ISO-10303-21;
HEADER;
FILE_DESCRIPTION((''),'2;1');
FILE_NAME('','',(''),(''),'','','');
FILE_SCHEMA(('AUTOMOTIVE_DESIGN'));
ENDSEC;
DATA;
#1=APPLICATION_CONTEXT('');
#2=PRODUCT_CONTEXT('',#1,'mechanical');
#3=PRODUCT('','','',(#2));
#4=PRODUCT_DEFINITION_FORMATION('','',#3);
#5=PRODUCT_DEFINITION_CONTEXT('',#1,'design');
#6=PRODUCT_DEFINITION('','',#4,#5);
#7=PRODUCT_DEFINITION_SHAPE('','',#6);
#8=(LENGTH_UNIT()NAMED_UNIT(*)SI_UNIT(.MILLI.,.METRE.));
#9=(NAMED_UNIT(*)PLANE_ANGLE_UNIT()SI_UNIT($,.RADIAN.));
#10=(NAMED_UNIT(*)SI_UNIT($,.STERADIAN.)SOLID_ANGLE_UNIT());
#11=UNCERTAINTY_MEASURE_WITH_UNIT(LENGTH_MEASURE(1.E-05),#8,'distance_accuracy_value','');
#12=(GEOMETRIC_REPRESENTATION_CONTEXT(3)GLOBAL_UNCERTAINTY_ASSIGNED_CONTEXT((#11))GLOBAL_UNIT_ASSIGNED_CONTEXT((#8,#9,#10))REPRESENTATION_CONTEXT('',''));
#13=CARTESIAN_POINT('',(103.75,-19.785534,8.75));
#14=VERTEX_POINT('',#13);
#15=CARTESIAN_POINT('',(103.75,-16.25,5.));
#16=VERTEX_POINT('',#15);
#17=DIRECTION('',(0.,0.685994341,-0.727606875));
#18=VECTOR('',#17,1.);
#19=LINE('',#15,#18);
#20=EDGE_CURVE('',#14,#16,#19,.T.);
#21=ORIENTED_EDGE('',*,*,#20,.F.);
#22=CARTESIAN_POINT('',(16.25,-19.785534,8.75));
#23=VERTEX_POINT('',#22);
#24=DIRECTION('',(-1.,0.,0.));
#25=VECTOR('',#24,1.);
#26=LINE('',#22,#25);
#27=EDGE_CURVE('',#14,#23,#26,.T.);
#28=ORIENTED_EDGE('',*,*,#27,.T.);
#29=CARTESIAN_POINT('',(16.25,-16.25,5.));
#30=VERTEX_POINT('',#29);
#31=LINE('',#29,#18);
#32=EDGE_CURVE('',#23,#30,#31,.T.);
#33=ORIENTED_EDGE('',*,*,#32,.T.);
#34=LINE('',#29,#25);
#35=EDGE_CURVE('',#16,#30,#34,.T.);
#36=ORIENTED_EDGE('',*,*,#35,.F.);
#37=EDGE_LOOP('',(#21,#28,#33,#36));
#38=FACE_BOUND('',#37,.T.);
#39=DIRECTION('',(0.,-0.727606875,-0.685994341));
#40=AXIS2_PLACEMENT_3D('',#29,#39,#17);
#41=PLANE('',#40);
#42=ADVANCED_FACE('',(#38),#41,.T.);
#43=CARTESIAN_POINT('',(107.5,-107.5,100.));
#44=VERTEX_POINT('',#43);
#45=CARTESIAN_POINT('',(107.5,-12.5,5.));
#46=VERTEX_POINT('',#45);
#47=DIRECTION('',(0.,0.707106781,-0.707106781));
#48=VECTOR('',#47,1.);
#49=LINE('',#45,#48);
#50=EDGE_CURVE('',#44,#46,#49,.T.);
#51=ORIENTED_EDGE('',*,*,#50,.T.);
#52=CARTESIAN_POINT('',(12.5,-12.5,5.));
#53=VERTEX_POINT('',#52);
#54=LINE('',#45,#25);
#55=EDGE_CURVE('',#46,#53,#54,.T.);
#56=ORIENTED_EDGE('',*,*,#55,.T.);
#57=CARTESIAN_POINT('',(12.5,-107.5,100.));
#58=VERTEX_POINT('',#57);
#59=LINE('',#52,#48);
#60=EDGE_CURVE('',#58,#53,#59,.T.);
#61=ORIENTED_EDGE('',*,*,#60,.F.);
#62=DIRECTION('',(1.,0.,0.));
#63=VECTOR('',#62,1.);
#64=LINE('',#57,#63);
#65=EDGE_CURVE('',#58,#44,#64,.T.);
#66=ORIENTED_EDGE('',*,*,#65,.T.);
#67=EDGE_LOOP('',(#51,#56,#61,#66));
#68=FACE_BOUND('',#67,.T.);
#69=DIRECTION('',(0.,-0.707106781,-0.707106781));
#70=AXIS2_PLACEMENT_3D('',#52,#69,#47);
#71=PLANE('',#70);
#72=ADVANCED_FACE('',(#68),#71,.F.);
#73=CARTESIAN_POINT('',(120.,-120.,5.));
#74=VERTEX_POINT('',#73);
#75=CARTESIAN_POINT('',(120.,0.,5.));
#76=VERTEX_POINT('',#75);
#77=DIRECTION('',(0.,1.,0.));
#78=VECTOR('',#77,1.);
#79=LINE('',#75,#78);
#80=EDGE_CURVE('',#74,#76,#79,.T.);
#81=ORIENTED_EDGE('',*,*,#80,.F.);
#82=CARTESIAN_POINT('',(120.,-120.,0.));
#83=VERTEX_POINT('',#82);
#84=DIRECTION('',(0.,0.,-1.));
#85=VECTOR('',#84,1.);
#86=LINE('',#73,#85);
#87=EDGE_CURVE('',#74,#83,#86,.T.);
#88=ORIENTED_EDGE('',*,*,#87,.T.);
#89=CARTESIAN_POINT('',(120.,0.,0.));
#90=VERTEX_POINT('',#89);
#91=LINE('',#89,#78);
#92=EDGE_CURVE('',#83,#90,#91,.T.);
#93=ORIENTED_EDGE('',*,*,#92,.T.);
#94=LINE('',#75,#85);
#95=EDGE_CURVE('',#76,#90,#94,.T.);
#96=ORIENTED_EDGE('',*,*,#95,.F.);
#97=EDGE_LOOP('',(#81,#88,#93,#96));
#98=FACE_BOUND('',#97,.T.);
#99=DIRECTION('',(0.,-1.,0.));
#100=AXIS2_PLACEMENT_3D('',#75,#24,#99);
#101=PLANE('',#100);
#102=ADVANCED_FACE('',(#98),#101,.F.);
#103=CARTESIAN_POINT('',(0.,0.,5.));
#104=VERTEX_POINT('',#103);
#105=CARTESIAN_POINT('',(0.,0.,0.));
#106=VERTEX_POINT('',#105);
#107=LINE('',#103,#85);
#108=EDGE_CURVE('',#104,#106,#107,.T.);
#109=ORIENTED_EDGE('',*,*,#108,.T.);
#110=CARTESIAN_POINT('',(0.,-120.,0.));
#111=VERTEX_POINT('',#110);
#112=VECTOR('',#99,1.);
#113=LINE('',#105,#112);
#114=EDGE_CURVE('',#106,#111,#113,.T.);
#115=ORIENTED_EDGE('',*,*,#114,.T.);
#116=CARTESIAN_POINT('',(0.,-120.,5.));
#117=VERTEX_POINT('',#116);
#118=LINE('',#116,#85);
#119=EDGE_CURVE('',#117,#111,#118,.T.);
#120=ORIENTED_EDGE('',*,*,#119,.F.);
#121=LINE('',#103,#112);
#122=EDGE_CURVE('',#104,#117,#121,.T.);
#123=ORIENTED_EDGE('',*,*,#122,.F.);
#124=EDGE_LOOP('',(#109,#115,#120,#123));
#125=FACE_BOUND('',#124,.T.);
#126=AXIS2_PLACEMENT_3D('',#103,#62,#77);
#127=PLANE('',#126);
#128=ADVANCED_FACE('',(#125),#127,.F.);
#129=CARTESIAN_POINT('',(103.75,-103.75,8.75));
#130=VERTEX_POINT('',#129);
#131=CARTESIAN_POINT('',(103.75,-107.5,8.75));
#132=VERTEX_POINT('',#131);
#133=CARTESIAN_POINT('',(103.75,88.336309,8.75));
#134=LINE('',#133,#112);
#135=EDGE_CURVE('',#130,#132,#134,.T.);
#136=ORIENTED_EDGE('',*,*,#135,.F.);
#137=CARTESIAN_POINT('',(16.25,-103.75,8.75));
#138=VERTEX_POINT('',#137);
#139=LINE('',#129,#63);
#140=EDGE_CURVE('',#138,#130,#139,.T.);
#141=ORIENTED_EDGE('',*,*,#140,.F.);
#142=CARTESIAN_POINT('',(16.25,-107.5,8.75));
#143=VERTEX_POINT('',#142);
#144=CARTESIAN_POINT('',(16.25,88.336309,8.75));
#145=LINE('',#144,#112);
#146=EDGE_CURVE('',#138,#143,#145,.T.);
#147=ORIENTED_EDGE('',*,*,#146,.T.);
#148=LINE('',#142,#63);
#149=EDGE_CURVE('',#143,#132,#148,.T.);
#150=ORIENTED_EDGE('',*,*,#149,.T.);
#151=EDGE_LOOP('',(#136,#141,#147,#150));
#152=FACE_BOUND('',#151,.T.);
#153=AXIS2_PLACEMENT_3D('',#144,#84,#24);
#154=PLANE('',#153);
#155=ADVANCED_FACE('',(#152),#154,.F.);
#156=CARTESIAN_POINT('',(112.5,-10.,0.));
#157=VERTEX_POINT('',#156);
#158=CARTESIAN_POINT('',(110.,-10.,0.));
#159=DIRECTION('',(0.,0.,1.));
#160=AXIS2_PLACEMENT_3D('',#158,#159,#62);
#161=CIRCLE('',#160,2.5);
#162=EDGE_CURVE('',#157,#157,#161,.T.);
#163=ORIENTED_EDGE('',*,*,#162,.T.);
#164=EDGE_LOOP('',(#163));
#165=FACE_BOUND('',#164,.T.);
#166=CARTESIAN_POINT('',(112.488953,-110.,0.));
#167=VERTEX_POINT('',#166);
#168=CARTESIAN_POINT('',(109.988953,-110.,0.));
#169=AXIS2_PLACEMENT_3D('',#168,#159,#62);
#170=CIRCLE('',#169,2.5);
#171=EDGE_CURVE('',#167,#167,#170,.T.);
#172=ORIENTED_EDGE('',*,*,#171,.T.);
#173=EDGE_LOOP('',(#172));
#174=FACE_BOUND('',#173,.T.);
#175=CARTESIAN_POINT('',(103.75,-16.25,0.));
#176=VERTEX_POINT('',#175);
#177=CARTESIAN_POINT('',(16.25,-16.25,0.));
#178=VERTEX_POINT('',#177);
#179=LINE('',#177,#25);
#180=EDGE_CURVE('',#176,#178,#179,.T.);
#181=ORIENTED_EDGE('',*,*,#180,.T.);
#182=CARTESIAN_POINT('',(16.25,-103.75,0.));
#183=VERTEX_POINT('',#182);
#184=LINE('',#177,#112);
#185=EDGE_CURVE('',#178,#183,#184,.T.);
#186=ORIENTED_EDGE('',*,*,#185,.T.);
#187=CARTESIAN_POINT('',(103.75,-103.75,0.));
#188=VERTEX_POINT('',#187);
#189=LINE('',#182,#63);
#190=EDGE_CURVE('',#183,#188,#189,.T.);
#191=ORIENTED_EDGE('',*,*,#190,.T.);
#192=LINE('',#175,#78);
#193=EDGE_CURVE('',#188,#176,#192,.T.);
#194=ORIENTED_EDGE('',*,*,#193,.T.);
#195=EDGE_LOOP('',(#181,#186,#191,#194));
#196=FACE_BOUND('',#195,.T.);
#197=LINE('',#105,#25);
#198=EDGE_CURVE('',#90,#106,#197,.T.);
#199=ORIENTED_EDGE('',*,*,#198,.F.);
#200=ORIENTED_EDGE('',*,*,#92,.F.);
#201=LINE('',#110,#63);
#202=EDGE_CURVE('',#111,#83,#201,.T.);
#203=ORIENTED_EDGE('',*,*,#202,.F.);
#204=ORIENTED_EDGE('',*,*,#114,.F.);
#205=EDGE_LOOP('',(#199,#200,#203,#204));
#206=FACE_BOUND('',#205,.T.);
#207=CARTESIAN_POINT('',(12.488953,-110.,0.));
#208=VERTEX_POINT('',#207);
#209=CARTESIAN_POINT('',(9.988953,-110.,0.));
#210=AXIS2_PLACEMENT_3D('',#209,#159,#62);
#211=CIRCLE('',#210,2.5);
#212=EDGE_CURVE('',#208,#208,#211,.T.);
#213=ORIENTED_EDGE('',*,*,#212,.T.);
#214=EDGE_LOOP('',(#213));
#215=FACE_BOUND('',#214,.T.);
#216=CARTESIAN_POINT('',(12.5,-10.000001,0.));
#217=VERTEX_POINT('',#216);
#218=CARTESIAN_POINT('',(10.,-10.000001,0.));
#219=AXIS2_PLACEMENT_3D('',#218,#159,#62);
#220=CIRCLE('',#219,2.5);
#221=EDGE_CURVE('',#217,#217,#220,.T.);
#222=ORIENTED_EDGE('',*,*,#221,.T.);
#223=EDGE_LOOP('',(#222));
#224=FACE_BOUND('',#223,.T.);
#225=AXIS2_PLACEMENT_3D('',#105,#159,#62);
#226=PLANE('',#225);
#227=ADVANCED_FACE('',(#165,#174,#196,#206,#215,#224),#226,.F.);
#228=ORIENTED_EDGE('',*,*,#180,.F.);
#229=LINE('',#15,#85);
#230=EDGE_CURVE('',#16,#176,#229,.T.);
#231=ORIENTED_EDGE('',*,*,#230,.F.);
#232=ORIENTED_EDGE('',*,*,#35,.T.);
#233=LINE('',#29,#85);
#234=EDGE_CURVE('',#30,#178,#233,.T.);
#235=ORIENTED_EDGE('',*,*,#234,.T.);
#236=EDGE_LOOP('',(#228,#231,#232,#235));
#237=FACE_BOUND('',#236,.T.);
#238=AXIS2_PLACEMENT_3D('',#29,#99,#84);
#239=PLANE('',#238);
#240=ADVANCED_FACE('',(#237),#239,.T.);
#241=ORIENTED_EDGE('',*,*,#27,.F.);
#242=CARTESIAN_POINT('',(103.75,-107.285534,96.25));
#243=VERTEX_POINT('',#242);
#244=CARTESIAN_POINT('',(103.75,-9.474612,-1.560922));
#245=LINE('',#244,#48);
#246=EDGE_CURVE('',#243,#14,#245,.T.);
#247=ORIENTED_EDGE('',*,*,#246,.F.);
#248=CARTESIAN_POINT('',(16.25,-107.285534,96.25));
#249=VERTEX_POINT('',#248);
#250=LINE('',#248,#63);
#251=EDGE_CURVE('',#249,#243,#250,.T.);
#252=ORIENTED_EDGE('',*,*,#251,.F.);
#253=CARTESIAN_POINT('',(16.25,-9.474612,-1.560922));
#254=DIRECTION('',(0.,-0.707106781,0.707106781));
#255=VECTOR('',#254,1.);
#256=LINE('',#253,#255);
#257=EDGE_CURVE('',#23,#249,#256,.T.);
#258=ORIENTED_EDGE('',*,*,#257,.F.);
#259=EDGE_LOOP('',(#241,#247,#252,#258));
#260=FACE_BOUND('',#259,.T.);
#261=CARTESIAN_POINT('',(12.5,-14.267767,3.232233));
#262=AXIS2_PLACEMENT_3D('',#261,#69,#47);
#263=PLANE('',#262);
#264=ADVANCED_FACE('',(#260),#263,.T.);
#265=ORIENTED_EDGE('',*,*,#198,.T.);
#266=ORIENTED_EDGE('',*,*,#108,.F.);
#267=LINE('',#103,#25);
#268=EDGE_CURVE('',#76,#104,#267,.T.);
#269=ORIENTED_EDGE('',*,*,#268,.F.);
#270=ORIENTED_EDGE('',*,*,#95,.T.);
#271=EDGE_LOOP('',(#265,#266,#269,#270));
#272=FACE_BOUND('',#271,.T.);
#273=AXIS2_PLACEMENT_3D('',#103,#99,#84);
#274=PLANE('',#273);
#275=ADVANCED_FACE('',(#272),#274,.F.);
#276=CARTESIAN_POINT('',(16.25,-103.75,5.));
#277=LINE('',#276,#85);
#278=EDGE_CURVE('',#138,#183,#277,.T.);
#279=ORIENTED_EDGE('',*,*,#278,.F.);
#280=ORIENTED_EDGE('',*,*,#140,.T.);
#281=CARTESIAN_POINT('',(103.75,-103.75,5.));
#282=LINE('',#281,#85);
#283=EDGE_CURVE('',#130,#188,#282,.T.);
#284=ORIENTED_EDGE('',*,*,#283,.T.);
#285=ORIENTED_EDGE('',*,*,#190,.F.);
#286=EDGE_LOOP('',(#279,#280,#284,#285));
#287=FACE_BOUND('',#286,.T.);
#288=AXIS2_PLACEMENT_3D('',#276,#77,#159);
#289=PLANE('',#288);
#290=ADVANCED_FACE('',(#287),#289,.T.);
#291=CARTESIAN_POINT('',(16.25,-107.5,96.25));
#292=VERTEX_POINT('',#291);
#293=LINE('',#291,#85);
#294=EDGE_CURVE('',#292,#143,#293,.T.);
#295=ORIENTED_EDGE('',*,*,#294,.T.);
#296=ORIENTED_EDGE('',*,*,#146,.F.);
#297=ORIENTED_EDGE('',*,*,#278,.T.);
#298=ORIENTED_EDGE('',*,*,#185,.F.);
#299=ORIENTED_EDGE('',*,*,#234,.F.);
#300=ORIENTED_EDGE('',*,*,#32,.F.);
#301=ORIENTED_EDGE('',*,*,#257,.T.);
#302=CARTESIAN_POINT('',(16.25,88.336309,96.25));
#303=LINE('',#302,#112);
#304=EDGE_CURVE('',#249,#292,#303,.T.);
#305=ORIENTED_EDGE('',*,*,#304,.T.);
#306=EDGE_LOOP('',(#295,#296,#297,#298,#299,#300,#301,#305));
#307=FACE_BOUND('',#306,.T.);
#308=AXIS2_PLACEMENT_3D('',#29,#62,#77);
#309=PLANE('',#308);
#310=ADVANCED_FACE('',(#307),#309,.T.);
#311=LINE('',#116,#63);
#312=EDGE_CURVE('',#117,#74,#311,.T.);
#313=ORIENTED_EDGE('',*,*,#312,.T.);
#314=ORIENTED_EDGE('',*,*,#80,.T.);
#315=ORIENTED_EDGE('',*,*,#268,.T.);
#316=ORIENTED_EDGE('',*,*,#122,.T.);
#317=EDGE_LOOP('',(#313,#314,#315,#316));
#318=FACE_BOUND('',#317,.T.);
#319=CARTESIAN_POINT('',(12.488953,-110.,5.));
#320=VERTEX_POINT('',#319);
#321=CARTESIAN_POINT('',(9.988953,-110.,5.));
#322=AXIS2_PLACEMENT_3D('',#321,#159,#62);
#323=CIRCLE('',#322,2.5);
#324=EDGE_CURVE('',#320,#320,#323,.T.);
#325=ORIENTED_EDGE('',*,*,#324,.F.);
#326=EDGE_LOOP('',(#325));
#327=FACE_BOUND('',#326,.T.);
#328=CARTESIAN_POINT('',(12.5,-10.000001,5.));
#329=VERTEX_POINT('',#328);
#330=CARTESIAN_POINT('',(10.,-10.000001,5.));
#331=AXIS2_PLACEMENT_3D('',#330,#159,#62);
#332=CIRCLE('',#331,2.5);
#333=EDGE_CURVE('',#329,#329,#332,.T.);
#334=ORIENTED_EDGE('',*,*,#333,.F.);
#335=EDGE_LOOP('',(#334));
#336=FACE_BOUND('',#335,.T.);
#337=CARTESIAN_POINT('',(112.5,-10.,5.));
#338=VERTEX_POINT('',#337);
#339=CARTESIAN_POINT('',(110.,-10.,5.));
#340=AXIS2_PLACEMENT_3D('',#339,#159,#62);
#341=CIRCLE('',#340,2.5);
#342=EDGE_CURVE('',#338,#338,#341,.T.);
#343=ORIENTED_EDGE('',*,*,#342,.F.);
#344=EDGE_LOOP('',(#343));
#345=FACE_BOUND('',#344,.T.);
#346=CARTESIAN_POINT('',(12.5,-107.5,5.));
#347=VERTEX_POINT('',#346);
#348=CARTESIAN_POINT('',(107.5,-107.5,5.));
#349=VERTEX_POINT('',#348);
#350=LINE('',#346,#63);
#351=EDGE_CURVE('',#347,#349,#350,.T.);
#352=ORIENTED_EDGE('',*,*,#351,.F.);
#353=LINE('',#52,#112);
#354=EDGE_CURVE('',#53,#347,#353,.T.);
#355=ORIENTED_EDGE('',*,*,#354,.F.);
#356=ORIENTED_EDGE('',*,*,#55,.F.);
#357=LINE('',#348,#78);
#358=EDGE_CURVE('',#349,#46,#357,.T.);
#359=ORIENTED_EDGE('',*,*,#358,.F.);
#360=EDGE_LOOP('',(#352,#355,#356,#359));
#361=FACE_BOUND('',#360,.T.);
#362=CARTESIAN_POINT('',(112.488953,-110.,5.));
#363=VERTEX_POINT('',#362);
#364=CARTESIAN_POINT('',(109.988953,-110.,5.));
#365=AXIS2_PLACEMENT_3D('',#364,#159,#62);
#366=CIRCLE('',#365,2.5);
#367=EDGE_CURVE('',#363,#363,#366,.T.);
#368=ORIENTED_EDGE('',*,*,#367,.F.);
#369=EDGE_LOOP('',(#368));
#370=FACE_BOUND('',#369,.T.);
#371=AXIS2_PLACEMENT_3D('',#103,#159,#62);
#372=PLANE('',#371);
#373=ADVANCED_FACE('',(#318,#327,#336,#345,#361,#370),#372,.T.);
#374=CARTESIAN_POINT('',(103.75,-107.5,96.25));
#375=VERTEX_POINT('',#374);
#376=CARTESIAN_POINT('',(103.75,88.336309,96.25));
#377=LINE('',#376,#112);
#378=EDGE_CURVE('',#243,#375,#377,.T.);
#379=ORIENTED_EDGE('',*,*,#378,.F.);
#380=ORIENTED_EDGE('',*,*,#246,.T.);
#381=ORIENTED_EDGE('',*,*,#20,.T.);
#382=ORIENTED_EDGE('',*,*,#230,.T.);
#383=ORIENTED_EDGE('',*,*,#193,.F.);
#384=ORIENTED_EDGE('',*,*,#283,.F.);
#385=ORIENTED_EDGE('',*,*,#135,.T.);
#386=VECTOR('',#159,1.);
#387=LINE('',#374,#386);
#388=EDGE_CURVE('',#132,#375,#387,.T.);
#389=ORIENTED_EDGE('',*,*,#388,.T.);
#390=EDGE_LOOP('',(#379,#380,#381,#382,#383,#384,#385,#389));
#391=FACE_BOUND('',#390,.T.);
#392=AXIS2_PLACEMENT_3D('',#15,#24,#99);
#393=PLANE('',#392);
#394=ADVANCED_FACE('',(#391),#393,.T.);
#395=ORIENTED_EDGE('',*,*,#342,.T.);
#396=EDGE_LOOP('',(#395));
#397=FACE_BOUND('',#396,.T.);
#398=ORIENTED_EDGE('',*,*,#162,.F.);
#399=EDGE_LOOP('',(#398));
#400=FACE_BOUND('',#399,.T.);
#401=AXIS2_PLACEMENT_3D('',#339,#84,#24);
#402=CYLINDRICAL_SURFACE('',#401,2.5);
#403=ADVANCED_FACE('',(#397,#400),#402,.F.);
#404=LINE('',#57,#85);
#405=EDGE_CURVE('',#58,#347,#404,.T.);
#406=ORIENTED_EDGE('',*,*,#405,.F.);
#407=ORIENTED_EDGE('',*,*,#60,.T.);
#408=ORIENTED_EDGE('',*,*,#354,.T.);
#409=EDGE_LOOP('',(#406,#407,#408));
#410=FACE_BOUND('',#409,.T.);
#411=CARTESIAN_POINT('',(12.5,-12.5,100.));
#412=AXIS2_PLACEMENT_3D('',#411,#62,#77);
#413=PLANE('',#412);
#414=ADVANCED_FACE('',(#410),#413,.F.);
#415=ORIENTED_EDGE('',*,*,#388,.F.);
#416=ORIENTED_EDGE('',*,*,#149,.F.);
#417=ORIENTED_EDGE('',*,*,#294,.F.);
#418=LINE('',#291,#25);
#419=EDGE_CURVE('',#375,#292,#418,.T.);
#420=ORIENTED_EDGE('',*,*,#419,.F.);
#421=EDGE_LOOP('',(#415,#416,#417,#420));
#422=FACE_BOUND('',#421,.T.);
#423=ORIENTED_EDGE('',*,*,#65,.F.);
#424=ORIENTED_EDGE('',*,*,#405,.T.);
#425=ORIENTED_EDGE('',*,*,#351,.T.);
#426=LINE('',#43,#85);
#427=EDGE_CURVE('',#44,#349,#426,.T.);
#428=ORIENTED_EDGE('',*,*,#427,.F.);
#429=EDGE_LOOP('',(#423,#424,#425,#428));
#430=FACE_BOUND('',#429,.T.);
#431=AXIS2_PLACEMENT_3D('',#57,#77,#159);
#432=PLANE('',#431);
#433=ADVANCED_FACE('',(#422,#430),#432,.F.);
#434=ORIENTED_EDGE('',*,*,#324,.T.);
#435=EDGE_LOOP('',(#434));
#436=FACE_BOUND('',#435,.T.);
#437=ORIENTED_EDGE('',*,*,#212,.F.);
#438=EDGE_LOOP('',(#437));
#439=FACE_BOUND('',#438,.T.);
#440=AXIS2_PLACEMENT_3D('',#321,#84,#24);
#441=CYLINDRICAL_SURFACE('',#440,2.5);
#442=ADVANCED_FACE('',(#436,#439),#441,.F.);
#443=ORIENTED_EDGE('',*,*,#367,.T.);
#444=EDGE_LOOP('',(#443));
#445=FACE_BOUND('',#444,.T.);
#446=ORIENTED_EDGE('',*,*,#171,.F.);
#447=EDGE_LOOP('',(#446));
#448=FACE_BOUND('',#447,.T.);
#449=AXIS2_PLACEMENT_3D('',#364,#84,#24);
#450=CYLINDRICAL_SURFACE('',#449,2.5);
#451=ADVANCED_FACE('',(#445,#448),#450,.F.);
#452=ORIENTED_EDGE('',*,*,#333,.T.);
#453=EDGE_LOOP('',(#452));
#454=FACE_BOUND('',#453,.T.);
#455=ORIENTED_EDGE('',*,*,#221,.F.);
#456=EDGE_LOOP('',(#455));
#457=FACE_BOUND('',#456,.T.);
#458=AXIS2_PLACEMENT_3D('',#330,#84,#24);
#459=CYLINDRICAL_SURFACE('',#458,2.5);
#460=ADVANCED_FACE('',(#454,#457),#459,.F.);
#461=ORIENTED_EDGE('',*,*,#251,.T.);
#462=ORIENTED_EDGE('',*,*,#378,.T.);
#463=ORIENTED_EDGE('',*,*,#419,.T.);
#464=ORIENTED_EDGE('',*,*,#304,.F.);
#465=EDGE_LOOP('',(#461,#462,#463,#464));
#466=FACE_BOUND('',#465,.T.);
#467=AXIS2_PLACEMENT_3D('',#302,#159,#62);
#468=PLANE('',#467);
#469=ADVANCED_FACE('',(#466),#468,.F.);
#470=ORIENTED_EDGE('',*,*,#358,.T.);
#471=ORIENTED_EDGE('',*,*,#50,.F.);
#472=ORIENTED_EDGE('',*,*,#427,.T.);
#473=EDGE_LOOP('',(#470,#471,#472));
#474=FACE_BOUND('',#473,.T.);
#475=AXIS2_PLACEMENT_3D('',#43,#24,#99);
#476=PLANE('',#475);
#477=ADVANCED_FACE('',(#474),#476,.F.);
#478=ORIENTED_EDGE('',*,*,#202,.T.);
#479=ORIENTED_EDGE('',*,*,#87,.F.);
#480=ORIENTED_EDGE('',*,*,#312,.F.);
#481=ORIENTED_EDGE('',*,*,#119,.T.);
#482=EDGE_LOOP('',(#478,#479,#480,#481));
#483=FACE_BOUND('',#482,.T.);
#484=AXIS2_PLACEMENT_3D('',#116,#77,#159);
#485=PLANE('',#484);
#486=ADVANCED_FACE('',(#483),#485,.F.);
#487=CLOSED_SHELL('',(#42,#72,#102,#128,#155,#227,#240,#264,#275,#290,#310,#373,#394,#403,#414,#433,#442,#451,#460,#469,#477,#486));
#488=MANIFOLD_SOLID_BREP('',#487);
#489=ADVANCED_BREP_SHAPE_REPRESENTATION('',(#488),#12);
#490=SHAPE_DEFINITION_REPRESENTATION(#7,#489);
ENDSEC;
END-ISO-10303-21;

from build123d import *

# Parameters (mm, degrees)
SKETCH2_W           = 120
SKETCH2_H           = 120
SKETCH2_R           = 2.5
SKETCH2_W_2         = 87.5
SKETCH2_H_2         = 87.5
BOSS_EXTRUDE1_DEPTH = 5
SKETCH3_W           = 95
SKETCH3_H           = 95
BOSS_EXTRUDE2_DEPTH = 95
CUT_EXTRUDE1_DEPTH  = 95
CUT_EXTRUDE4_REACH  = 191.621
SKETCH5_W           = 87.5
SKETCH5_H           = 87.5
CUT_EXTRUDE5_REACH  = 196.487
SKETCH9_W           = 87.5
SKETCH9_H           = 83.964466094
CUT_EXTRUDE7_DEPTH  = 87.5


with BuildPart() as part:
    # Sketch2 → Boss-Extrude1 (new body)
    with BuildSketch(Plane.XY):
        with Locations((60, -60)):
            Rectangle(SKETCH2_W, SKETCH2_H)
        with Locations((10, -10.00000061)):
            Circle(SKETCH2_R, mode=Mode.SUBTRACT)
        with Locations((110, -10)):
            Circle(SKETCH2_R, mode=Mode.SUBTRACT)
        with Locations((9.988952602, -110)):
            Circle(SKETCH2_R, mode=Mode.SUBTRACT)
        with Locations((109.988952602, -110)):
            Circle(SKETCH2_R, mode=Mode.SUBTRACT)
        with Locations((60, -60)):
            Rectangle(SKETCH2_W_2, SKETCH2_H_2, mode=Mode.SUBTRACT)
    extrude(amount=BOSS_EXTRUDE1_DEPTH)

    # Sketch3 → Boss-Extrude2 (add)
    with BuildSketch(Plane.XY.offset(5)):
        with Locations((60, -60)):
            Rectangle(SKETCH3_W, SKETCH3_H)
    extrude(amount=BOSS_EXTRUDE2_DEPTH)

    # Sketch4 → Cut-Extrude1 (cut)
    with BuildSketch(Plane(origin=(107.5, 0, 0), x_dir=(0, 0, -1), z_dir=(1, 0, 0))):
        Polygon((-5, -12.5), (-100, -107.5), (-100, -12.5), align=None)
    extrude(amount=-CUT_EXTRUDE1_DEPTH, mode=Mode.SUBTRACT)

    # Cut-Extrude4: up to this plane
    cut_extrude4_end = Plane(origin=(12.5, -14.267766953, 3.232233047), z_dir=(0, -0.7071067811865476, -0.7071067811865476))
    # Sketch5 → Cut-Extrude4 (cut, up to the surface)
    with BuildSketch(Plane.XZ.offset(107.5), mode=Mode.PRIVATE) as cut_extrude4_sk1:
        with Locations((60, 52.5)):
            Rectangle(SKETCH5_W, SKETCH5_H)
    cut_extrude4_tool1 = split(extrude(cut_extrude4_sk1.sketch, amount=-CUT_EXTRUDE4_REACH, mode=Mode.PRIVATE), bisect_by=cut_extrude4_end, keep=Keep.BOTH, mode=Mode.PRIVATE)
    add(cut_extrude4_tool1.solids().sort_by_distance((60, -107.5, 52.5))[0], mode=Mode.SUBTRACT)

    # Cut-Extrude5: up to this plane
    cut_extrude5_end = Plane(origin=(12.5, -14.267766953, 3.232233047), z_dir=(0, -0.7071067811865476, -0.7071067811865476))
    # Sketch9 → Cut-Extrude5 (cut, up to the surface)
    with BuildSketch(Plane(origin=(0, 0, 5), x_dir=(-1, 0, 0), z_dir=(0, 0, -1)), mode=Mode.PRIVATE) as cut_extrude5_sk1:
        with Locations((-60, -61.767766953)):
            Rectangle(SKETCH9_W, SKETCH9_H)
    cut_extrude5_tool1 = split(extrude(cut_extrude5_sk1.sketch, amount=-CUT_EXTRUDE5_REACH, mode=Mode.PRIVATE), bisect_by=cut_extrude5_end, keep=Keep.BOTH, mode=Mode.PRIVATE)
    add(cut_extrude5_tool1.solids().sort_by_distance((60, -61.767767, 5))[0], mode=Mode.SUBTRACT)

    # Sketch10 → Cut-Extrude7 (cut)
    with BuildSketch(Plane.ZY.offset(-103.75)):
        Polygon((8.75, -19.785533906), (5, -19.785533906), (5, -16.25), align=None)
    extrude(amount=CUT_EXTRUDE7_DEPTH, mode=Mode.SUBTRACT)


solid = part.part
